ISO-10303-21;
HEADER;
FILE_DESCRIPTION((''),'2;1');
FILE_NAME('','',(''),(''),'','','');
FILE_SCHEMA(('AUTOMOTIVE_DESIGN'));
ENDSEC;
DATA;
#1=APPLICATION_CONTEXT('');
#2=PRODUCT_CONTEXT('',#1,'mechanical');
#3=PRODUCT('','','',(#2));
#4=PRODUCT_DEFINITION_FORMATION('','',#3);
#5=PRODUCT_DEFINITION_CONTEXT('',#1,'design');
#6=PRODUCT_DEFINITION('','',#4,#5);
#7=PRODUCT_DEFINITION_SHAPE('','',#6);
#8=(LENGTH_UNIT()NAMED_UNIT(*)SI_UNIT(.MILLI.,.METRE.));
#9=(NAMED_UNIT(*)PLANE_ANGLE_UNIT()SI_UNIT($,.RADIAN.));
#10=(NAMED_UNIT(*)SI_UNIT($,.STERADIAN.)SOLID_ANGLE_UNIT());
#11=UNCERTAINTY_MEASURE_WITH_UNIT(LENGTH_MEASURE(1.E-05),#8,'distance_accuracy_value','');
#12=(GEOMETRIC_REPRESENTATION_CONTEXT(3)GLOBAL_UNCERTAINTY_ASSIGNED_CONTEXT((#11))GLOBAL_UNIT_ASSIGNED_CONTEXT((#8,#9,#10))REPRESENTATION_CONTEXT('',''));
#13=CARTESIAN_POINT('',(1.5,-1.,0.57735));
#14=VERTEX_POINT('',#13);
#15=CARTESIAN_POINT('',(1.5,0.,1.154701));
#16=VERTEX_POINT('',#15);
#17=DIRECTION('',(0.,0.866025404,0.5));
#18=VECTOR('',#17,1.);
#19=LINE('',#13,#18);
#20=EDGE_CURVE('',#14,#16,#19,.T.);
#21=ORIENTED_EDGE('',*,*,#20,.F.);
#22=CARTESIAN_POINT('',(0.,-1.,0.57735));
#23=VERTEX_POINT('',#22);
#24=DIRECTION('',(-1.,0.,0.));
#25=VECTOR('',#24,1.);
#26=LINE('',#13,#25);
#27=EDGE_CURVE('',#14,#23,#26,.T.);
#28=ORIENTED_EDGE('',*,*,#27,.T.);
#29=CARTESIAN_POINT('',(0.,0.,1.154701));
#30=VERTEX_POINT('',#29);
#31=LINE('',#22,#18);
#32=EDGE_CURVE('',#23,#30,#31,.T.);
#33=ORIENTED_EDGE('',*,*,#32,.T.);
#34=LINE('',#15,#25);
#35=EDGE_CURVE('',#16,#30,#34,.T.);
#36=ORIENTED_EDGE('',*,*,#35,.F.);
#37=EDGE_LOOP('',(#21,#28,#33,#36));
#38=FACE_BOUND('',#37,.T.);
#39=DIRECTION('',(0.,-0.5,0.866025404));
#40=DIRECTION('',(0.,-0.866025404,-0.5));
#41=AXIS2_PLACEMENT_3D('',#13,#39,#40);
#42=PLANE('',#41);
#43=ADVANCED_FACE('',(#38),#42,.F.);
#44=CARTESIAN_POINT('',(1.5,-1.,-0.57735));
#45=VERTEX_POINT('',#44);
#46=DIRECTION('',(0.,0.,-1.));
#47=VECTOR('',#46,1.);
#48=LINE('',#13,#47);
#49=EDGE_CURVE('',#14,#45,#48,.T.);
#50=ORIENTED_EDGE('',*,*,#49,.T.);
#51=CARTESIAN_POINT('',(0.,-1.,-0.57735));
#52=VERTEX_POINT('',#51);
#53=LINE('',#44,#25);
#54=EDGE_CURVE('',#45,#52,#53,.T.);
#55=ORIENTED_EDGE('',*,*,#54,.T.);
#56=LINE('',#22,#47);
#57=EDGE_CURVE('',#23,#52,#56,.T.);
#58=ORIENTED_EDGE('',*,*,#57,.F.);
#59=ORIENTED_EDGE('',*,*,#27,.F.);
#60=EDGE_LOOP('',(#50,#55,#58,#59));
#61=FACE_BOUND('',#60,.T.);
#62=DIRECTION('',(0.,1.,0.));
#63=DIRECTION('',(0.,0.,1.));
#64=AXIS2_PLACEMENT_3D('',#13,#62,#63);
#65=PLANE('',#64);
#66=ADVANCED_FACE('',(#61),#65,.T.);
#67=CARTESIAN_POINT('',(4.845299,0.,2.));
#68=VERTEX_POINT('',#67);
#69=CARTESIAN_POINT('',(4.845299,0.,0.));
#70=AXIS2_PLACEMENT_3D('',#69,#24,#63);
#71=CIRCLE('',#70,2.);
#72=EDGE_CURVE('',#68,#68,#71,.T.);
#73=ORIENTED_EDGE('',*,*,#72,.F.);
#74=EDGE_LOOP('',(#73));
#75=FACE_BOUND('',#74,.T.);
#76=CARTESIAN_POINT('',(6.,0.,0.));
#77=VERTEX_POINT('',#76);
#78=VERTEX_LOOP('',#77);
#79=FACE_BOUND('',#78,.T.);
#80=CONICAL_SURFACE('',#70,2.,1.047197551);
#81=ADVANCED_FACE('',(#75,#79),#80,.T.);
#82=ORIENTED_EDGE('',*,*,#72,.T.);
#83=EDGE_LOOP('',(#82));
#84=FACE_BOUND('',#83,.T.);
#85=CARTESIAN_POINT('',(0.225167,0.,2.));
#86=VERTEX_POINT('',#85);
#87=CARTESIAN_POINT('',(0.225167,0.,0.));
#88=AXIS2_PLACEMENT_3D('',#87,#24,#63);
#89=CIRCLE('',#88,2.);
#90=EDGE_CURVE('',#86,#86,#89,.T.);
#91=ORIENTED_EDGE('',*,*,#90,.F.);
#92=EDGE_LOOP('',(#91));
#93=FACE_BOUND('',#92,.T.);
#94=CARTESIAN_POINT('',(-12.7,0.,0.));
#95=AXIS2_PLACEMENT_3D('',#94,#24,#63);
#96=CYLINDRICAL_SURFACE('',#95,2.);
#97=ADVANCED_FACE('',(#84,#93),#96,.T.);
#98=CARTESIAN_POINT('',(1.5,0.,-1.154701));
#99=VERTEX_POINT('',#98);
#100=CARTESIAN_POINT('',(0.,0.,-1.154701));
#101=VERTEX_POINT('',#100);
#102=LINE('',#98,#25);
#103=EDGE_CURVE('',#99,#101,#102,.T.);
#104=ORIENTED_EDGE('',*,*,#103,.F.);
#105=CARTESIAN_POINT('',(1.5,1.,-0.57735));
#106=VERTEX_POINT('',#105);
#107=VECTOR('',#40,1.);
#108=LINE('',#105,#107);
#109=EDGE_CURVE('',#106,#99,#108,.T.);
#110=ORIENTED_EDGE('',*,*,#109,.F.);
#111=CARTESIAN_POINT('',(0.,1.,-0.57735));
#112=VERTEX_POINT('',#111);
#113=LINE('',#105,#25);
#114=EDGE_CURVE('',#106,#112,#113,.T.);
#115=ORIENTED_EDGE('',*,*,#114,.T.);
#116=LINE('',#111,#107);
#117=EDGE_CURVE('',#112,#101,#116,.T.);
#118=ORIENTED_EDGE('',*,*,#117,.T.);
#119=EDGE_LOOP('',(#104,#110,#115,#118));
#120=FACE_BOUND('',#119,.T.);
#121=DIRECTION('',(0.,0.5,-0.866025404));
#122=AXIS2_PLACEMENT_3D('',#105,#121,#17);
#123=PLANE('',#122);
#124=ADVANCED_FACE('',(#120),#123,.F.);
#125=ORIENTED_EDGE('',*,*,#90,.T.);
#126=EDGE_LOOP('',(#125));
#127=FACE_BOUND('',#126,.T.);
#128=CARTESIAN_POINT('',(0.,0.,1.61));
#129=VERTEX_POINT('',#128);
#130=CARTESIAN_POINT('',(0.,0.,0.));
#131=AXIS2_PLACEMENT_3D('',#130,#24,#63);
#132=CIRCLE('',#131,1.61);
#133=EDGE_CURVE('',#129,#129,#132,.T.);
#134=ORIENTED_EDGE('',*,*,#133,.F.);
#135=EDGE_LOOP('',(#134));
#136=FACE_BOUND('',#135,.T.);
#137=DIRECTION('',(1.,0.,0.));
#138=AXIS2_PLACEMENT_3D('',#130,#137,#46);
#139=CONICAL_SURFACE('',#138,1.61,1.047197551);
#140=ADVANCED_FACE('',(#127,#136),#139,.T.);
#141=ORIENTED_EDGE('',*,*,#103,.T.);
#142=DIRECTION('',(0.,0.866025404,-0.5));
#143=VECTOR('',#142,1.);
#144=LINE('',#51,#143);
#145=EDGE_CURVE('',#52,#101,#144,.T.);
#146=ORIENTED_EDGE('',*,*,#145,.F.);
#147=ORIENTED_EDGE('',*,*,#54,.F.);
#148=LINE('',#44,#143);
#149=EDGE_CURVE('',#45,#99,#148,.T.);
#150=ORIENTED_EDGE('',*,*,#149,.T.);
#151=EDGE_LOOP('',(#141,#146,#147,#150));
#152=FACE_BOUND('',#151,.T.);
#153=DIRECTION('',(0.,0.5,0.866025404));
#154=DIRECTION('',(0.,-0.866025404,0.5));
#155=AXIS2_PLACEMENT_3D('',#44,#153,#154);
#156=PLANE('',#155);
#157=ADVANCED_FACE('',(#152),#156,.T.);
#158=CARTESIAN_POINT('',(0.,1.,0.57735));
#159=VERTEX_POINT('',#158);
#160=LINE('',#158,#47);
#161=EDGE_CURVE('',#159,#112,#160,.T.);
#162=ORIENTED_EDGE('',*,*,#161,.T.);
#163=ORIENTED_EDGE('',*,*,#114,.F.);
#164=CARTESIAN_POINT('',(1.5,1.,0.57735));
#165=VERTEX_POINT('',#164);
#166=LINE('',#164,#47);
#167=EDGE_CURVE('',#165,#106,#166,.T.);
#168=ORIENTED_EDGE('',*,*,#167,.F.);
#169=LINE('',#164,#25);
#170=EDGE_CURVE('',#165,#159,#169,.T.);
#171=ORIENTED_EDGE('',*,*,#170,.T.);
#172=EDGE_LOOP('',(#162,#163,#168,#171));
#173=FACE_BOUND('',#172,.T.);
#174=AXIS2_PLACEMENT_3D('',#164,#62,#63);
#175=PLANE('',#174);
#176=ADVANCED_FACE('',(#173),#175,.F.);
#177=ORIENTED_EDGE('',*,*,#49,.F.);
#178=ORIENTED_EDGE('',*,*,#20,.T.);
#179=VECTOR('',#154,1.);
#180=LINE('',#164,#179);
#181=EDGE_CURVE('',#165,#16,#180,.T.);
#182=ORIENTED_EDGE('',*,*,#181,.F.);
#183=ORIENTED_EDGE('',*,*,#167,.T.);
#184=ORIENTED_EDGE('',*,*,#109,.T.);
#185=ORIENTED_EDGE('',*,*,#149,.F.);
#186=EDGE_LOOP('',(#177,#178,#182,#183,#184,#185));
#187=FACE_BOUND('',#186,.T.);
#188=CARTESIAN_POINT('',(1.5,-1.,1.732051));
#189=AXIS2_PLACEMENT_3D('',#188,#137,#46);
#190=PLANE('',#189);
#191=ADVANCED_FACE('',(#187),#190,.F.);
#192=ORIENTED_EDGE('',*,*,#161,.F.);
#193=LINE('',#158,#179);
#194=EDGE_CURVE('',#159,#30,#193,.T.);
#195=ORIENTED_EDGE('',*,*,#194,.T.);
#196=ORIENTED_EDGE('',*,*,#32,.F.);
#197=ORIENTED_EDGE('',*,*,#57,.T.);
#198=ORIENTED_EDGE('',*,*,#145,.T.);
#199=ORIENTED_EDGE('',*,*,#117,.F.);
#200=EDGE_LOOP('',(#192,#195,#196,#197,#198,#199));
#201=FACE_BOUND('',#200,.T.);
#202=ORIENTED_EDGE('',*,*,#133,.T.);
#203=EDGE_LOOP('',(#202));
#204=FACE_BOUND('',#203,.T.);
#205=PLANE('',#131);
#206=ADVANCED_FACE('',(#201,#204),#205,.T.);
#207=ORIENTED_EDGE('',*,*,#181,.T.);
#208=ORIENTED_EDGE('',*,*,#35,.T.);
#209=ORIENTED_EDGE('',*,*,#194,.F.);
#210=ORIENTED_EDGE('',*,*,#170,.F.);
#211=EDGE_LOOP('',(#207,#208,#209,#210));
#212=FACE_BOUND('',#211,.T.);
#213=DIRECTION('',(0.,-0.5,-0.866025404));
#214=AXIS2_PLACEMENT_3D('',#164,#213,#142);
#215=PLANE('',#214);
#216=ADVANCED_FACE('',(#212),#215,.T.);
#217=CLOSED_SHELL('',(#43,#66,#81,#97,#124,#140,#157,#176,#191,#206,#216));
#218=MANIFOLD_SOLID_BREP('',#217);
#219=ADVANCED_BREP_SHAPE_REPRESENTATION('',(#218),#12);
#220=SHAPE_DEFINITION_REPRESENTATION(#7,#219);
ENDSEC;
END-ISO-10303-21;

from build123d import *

# Parameters (mm, degrees)
HEX_2_DEPTH = 1.5


with BuildPart() as part:
    # BodySke → BaseBody (revolve)
    with BuildSketch(Plane.XY, mode=Mode.PRIVATE) as basebody_sk:
        Polygon((0, 0), (0, 1.61), (0.225166605, 2), (4.845299462, 2), (6, 0), align=None)
    revolve(basebody_sk.sketch.rotate(Axis((-12.7, 0, 0), (1, 0, 0)), 90), axis=Axis((-12.7, 0, 0), (1, 0, 0)))  # turned: the seam where the file's is

    # Sketch2 → Hex 2 (cut)
    with BuildSketch(Plane.ZY):
        Polygon((0.577350269, 1), (-0.577350269, 1), (-1.154700538, 0), (-0.577350269, -1), (0.577350269, -1), (1.154700538, 0), align=None)
    extrude(amount=-HEX_2_DEPTH, mode=Mode.SUBTRACT)


solid = part.part
